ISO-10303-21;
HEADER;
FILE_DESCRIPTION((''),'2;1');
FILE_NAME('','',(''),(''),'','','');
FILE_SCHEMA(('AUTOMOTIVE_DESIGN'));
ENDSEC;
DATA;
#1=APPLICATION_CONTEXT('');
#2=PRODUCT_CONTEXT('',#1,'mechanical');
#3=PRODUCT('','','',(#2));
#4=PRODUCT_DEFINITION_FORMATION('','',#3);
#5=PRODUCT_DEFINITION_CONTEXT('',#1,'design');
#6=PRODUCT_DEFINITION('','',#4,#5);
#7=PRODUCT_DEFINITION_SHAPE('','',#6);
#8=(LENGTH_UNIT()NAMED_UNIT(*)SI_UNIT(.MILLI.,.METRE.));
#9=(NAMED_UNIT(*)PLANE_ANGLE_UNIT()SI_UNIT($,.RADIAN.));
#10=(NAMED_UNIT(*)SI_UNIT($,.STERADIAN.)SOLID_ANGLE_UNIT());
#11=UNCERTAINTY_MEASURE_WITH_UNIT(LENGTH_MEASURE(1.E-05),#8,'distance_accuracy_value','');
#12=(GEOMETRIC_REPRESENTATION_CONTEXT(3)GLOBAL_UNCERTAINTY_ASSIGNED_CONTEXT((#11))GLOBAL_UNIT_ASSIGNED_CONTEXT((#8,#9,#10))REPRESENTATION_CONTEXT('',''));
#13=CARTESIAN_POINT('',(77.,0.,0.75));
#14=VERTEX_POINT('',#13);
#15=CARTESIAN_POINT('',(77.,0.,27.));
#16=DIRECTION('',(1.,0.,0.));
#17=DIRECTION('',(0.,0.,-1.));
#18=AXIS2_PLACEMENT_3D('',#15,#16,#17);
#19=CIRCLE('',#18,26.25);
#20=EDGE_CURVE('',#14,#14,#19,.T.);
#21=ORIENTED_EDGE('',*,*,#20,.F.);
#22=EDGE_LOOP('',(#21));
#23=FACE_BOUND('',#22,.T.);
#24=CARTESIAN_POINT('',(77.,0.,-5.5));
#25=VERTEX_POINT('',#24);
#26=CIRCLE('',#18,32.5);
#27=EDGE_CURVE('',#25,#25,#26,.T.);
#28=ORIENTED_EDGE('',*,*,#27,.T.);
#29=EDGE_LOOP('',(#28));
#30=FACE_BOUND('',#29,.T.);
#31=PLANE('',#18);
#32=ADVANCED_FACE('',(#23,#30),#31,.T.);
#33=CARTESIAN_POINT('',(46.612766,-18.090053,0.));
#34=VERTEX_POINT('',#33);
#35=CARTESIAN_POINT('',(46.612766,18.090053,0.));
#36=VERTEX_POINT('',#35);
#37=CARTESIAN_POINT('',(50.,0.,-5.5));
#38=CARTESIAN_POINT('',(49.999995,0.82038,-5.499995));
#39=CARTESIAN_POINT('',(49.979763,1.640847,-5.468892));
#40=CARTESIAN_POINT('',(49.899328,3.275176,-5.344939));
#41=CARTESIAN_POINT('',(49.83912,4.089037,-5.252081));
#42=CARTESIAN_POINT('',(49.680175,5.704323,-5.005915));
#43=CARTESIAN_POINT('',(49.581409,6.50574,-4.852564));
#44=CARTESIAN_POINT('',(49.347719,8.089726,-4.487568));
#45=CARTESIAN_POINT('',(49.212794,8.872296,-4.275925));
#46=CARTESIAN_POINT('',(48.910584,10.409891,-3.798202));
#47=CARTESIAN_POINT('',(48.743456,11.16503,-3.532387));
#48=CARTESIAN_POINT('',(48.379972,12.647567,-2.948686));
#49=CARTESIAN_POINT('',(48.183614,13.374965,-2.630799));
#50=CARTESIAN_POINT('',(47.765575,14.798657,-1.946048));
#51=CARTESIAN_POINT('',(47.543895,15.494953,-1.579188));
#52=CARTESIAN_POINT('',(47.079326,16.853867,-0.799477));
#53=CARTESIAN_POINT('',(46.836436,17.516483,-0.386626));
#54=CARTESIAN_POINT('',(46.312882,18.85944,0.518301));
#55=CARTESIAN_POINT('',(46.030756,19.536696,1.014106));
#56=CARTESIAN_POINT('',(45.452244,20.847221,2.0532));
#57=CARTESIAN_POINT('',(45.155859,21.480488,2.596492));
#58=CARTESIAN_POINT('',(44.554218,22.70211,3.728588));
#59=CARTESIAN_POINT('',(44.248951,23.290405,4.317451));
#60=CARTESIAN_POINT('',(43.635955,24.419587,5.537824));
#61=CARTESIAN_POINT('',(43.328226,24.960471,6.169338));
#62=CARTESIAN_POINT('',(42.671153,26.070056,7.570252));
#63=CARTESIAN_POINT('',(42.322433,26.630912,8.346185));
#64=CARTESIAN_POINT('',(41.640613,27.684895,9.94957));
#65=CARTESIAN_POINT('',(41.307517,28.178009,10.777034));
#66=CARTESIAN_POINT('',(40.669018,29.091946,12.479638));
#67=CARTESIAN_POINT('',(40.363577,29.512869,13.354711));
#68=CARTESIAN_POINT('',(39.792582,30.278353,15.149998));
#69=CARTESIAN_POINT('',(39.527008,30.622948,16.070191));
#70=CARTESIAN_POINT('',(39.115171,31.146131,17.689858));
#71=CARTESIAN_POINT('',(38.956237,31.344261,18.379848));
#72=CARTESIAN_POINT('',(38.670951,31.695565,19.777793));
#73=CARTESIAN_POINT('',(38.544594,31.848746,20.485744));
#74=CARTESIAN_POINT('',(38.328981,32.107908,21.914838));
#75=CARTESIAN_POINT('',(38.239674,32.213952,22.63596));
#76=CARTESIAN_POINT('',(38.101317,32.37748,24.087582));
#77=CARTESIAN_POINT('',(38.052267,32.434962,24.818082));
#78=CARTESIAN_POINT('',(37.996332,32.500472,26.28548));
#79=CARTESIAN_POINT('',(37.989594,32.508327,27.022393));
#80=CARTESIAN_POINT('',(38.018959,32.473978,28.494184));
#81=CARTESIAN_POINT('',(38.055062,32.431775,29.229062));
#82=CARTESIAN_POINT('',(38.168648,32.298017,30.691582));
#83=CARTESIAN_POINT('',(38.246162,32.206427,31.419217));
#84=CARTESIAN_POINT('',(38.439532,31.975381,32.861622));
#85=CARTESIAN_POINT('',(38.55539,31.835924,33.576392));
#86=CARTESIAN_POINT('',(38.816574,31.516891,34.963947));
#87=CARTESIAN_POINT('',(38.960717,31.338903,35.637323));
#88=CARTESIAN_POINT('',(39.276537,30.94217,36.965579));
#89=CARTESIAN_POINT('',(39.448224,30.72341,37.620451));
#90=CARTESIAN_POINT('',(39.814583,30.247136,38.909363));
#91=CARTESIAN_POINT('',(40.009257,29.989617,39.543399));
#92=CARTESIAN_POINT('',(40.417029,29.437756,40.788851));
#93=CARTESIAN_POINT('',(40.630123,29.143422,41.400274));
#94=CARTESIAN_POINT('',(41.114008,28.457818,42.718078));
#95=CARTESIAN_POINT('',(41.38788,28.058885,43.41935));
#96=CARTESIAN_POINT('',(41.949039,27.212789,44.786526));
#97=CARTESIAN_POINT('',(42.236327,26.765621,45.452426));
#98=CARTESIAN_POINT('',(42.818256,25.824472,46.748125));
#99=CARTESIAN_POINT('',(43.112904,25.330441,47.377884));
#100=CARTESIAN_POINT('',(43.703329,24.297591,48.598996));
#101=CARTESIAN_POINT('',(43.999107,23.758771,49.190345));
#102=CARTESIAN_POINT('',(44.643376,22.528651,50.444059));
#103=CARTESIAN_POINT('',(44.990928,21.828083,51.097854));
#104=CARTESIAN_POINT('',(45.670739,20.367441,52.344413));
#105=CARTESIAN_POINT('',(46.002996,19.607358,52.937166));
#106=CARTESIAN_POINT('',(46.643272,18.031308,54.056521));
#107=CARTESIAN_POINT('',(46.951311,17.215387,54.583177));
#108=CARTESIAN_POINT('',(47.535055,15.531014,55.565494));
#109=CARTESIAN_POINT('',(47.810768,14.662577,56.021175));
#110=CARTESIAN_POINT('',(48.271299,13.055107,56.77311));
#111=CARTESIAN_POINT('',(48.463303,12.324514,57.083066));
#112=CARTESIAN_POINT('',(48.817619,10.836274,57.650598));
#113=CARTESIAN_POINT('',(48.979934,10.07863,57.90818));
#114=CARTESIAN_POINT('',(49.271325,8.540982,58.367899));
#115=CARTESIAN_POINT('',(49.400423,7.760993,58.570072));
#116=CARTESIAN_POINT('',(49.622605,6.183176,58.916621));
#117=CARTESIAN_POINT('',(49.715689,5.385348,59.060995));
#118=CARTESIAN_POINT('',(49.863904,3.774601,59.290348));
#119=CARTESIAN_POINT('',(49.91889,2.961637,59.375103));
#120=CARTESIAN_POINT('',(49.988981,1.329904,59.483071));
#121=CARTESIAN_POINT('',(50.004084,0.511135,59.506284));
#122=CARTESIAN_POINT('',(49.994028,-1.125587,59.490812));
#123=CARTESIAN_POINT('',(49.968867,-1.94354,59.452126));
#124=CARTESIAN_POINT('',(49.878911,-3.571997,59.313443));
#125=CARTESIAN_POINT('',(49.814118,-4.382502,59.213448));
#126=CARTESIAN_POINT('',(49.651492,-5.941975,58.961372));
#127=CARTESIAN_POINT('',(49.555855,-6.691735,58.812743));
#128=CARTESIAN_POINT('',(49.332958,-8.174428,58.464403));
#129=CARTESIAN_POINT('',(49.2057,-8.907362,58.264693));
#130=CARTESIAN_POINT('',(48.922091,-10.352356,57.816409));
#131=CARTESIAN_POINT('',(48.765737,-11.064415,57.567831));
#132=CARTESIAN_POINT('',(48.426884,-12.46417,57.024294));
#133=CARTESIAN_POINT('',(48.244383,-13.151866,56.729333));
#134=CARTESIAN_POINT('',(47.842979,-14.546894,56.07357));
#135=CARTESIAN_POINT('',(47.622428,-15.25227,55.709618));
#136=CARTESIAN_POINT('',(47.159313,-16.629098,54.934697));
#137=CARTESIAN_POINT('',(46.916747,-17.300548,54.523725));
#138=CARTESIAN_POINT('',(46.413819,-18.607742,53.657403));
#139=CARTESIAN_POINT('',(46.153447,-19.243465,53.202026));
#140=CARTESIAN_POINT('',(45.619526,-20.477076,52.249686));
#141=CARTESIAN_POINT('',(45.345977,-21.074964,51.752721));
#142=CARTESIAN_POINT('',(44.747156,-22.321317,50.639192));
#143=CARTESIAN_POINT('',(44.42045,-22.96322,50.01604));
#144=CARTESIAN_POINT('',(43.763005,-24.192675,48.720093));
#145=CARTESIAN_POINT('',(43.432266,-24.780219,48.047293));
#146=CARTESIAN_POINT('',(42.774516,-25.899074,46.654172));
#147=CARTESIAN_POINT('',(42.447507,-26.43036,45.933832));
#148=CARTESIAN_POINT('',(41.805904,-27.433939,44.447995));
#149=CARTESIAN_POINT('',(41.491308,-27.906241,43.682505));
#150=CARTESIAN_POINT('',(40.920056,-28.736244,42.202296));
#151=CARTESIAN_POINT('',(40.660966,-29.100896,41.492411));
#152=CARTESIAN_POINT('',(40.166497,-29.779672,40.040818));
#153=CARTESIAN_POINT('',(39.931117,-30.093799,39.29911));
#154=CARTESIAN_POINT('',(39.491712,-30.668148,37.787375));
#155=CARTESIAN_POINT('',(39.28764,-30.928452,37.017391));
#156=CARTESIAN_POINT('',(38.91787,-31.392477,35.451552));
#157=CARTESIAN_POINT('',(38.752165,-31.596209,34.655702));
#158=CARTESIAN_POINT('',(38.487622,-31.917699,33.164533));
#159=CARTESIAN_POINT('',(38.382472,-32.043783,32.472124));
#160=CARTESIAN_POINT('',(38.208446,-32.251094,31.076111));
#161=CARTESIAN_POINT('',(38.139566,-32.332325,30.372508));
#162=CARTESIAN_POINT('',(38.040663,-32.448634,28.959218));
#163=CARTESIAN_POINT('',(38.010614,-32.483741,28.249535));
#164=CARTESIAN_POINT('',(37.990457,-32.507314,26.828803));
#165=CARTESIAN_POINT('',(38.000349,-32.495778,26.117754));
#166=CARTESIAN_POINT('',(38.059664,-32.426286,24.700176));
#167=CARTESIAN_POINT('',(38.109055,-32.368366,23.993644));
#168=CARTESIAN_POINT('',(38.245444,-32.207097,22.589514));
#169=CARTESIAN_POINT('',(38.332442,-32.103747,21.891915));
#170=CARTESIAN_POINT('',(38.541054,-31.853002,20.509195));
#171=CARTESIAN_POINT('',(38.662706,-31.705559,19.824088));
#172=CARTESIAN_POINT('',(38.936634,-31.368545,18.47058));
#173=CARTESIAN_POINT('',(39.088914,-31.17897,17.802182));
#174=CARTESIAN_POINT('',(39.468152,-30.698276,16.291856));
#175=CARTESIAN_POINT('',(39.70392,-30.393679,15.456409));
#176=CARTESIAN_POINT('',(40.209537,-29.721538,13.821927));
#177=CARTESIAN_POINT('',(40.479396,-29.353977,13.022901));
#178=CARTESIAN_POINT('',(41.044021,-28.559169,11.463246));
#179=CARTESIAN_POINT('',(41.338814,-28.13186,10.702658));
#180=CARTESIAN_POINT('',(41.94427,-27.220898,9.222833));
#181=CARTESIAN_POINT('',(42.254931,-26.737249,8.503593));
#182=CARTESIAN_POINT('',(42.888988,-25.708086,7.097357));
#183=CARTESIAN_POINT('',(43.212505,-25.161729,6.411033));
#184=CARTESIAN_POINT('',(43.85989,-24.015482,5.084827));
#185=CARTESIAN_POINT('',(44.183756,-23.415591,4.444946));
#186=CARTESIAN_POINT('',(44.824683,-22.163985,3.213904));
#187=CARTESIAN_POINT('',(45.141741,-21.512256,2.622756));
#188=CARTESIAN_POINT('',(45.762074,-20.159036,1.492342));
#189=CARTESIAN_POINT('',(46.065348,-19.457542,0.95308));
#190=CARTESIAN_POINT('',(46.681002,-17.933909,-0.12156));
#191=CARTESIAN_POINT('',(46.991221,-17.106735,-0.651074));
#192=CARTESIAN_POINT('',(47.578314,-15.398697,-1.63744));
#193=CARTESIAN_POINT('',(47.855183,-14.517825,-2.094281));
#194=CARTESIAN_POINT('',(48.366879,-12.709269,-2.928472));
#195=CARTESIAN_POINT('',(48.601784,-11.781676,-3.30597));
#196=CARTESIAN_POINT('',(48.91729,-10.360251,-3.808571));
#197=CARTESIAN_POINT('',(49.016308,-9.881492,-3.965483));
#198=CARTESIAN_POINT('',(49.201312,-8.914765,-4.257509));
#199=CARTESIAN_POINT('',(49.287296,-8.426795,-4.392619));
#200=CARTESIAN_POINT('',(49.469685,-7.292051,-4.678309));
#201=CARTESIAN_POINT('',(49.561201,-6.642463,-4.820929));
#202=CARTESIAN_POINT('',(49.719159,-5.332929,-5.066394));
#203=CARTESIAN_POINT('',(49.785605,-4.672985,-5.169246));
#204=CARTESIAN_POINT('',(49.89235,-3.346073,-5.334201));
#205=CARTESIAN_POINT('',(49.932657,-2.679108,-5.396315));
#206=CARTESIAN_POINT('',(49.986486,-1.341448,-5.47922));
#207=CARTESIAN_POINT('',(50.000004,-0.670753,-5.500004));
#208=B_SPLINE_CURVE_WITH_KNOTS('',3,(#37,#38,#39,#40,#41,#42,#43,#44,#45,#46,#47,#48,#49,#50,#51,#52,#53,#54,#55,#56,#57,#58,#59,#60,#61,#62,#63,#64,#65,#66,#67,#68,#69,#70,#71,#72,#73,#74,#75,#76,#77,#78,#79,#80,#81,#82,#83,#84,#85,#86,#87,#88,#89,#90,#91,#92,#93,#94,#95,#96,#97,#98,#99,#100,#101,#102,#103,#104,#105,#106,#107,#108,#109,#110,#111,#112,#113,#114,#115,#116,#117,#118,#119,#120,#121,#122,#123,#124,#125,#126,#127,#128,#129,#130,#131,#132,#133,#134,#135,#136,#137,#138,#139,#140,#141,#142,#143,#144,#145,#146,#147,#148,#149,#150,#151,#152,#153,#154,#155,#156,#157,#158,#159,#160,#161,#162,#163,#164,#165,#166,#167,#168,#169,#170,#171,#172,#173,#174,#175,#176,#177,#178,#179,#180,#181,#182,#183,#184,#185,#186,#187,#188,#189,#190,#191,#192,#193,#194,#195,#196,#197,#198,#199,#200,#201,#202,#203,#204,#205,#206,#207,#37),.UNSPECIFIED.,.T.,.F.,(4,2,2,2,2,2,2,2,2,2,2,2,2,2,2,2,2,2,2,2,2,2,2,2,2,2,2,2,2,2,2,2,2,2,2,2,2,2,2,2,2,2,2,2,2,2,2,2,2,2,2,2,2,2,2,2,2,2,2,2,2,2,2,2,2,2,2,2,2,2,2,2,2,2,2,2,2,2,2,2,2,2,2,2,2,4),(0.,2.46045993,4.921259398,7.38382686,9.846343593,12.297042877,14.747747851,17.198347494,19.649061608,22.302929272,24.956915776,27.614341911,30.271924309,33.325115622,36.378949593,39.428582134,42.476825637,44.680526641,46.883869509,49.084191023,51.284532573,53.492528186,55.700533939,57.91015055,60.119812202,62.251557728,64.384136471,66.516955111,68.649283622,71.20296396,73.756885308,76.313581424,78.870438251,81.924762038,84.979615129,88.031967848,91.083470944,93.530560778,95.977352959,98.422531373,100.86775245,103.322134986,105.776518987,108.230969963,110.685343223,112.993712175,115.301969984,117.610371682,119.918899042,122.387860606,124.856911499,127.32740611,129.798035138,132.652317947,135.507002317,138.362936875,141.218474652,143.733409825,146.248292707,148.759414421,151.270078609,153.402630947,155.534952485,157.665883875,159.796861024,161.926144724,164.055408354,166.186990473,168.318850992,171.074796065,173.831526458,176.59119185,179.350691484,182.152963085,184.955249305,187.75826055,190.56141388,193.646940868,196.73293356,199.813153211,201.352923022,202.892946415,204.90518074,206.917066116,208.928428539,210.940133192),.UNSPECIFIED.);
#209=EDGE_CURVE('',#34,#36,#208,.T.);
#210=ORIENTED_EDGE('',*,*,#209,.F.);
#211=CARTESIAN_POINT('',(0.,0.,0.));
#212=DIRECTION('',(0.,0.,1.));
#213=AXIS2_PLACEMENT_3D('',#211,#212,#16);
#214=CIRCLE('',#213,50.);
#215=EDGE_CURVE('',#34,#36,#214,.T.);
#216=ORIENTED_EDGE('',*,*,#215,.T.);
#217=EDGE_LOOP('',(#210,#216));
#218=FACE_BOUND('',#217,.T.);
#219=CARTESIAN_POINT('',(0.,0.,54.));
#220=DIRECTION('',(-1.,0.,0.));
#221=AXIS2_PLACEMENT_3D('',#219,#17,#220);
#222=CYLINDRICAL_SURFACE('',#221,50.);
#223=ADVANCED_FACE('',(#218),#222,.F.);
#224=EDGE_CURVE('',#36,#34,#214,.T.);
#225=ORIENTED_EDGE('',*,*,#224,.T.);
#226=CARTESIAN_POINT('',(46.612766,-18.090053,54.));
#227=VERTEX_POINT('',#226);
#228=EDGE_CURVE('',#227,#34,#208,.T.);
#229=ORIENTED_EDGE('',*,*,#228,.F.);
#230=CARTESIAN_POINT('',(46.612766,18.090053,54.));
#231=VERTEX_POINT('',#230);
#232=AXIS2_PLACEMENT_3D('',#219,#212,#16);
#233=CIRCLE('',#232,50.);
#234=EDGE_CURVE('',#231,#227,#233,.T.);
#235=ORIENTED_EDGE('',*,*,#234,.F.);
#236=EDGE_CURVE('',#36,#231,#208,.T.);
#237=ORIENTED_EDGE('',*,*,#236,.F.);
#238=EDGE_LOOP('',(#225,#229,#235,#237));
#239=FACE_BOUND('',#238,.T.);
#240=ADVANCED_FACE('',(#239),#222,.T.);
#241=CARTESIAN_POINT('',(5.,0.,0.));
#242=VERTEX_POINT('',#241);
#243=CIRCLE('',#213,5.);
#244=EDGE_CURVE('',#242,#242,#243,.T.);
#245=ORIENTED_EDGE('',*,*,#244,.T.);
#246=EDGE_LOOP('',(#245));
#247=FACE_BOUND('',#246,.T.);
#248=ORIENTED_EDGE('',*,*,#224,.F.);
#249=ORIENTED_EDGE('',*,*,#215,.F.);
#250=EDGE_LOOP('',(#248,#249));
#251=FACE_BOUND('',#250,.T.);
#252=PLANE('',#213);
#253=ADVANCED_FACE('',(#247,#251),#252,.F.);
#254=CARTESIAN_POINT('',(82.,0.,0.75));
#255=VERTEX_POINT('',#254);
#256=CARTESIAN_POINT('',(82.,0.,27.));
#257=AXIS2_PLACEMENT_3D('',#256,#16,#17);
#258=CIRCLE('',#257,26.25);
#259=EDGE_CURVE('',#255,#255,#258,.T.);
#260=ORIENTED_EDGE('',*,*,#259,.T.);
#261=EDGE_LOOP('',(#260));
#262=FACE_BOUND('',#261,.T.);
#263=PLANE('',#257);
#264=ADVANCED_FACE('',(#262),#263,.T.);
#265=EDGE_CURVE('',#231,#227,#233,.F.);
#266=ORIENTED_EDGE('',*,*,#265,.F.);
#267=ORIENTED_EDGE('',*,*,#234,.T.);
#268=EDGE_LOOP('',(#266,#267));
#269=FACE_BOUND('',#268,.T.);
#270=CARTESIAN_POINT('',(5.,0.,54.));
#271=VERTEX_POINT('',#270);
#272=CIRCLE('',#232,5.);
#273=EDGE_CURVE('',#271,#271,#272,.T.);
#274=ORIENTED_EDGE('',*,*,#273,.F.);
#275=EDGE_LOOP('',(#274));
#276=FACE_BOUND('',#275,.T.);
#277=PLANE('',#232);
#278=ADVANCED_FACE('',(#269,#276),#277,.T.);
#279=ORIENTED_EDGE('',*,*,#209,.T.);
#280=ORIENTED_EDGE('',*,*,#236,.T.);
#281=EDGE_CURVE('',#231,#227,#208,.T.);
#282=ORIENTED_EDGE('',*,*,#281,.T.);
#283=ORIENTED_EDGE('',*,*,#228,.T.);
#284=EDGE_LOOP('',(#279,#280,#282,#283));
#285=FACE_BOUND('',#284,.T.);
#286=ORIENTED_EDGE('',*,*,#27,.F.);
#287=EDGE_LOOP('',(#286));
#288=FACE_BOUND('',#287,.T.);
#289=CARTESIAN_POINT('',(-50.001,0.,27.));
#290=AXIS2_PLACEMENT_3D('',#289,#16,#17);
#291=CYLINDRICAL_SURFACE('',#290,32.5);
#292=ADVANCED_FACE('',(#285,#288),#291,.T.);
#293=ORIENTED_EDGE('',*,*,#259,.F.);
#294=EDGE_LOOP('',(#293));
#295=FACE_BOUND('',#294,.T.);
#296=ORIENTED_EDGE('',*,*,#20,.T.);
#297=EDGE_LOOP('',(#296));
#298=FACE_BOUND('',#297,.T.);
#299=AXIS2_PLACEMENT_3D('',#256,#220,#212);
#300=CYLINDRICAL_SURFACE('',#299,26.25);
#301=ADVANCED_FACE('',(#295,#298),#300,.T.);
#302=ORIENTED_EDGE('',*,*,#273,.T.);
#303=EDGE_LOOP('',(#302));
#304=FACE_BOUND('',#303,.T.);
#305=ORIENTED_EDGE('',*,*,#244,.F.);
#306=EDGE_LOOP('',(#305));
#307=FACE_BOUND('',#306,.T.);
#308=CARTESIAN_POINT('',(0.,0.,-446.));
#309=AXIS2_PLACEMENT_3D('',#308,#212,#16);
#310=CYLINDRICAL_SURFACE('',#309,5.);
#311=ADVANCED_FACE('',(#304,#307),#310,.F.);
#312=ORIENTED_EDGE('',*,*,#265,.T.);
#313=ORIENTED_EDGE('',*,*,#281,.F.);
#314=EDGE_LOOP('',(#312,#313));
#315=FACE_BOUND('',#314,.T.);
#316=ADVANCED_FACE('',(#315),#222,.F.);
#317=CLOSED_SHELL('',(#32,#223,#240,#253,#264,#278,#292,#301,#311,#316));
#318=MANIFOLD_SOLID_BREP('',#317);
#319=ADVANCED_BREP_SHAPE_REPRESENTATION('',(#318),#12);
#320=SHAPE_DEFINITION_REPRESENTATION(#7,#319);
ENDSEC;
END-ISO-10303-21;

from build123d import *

# Parameters (mm, degrees)
SKETCH1_R                = 50
BOSS_EXTRUDE1_DEPTH      = 54
BOSS_EXTRUDE2_REACH      = 148.782
BOSS_EXTRUDE2_END_RADIUS = 50
SKETCH3_R                = 32.5
SKETCH4_R                = 26.25
BOSS_EXTRUDE3_DEPTH      = 5
SKETCH5_R                = 5
CUT_EXTRUDE1_DEPTH       = 500


with BuildPart() as part:
    # Sketch1 → Boss-Extrude1 (new body)
    with BuildSketch(Plane.XY):
        Circle(SKETCH1_R)
    extrude(amount=BOSS_EXTRUDE1_DEPTH)

    # Boss-Extrude2: up to this cylinder (the profile starts outside it)
    boss_extrude2_end = Plane(origin=(0, 0, 27), z_dir=(0, 0, -1)) * Cylinder(BOSS_EXTRUDE2_END_RADIUS, 398.564, mode=Mode.PRIVATE)
    # Sketch3 → Boss-Extrude2 (add, up to the surface)
    with BuildSketch(Plane(origin=(77, 0, 0), x_dir=(0, 0, -1), z_dir=(1, 0, 0)), mode=Mode.PRIVATE) as boss_extrude2_sk1:
        with Locations((-27, 0)):
            Circle(SKETCH3_R)
    boss_extrude2_tool1 = extrude(boss_extrude2_sk1.sketch, amount=-BOSS_EXTRUDE2_REACH, mode=Mode.PRIVATE) - boss_extrude2_end
    add(boss_extrude2_tool1.solids().sort_by_distance((77, 0, 27))[0])

    # Sketch4 → Boss-Extrude3 (add)
    with BuildSketch(Plane(origin=(77, 0, 0), x_dir=(0, 0, -1), z_dir=(1, 0, 0))):
        with Locations((-27, 0)):
            Circle(SKETCH4_R)
    extrude(amount=BOSS_EXTRUDE3_DEPTH)

    # Sketch5 → Cut-Extrude1 (cut)
    with BuildSketch(Plane.XY.offset(54)):
        Circle(SKETCH5_R)
    extrude(amount=-CUT_EXTRUDE1_DEPTH, mode=Mode.SUBTRACT)


solid = part.part
